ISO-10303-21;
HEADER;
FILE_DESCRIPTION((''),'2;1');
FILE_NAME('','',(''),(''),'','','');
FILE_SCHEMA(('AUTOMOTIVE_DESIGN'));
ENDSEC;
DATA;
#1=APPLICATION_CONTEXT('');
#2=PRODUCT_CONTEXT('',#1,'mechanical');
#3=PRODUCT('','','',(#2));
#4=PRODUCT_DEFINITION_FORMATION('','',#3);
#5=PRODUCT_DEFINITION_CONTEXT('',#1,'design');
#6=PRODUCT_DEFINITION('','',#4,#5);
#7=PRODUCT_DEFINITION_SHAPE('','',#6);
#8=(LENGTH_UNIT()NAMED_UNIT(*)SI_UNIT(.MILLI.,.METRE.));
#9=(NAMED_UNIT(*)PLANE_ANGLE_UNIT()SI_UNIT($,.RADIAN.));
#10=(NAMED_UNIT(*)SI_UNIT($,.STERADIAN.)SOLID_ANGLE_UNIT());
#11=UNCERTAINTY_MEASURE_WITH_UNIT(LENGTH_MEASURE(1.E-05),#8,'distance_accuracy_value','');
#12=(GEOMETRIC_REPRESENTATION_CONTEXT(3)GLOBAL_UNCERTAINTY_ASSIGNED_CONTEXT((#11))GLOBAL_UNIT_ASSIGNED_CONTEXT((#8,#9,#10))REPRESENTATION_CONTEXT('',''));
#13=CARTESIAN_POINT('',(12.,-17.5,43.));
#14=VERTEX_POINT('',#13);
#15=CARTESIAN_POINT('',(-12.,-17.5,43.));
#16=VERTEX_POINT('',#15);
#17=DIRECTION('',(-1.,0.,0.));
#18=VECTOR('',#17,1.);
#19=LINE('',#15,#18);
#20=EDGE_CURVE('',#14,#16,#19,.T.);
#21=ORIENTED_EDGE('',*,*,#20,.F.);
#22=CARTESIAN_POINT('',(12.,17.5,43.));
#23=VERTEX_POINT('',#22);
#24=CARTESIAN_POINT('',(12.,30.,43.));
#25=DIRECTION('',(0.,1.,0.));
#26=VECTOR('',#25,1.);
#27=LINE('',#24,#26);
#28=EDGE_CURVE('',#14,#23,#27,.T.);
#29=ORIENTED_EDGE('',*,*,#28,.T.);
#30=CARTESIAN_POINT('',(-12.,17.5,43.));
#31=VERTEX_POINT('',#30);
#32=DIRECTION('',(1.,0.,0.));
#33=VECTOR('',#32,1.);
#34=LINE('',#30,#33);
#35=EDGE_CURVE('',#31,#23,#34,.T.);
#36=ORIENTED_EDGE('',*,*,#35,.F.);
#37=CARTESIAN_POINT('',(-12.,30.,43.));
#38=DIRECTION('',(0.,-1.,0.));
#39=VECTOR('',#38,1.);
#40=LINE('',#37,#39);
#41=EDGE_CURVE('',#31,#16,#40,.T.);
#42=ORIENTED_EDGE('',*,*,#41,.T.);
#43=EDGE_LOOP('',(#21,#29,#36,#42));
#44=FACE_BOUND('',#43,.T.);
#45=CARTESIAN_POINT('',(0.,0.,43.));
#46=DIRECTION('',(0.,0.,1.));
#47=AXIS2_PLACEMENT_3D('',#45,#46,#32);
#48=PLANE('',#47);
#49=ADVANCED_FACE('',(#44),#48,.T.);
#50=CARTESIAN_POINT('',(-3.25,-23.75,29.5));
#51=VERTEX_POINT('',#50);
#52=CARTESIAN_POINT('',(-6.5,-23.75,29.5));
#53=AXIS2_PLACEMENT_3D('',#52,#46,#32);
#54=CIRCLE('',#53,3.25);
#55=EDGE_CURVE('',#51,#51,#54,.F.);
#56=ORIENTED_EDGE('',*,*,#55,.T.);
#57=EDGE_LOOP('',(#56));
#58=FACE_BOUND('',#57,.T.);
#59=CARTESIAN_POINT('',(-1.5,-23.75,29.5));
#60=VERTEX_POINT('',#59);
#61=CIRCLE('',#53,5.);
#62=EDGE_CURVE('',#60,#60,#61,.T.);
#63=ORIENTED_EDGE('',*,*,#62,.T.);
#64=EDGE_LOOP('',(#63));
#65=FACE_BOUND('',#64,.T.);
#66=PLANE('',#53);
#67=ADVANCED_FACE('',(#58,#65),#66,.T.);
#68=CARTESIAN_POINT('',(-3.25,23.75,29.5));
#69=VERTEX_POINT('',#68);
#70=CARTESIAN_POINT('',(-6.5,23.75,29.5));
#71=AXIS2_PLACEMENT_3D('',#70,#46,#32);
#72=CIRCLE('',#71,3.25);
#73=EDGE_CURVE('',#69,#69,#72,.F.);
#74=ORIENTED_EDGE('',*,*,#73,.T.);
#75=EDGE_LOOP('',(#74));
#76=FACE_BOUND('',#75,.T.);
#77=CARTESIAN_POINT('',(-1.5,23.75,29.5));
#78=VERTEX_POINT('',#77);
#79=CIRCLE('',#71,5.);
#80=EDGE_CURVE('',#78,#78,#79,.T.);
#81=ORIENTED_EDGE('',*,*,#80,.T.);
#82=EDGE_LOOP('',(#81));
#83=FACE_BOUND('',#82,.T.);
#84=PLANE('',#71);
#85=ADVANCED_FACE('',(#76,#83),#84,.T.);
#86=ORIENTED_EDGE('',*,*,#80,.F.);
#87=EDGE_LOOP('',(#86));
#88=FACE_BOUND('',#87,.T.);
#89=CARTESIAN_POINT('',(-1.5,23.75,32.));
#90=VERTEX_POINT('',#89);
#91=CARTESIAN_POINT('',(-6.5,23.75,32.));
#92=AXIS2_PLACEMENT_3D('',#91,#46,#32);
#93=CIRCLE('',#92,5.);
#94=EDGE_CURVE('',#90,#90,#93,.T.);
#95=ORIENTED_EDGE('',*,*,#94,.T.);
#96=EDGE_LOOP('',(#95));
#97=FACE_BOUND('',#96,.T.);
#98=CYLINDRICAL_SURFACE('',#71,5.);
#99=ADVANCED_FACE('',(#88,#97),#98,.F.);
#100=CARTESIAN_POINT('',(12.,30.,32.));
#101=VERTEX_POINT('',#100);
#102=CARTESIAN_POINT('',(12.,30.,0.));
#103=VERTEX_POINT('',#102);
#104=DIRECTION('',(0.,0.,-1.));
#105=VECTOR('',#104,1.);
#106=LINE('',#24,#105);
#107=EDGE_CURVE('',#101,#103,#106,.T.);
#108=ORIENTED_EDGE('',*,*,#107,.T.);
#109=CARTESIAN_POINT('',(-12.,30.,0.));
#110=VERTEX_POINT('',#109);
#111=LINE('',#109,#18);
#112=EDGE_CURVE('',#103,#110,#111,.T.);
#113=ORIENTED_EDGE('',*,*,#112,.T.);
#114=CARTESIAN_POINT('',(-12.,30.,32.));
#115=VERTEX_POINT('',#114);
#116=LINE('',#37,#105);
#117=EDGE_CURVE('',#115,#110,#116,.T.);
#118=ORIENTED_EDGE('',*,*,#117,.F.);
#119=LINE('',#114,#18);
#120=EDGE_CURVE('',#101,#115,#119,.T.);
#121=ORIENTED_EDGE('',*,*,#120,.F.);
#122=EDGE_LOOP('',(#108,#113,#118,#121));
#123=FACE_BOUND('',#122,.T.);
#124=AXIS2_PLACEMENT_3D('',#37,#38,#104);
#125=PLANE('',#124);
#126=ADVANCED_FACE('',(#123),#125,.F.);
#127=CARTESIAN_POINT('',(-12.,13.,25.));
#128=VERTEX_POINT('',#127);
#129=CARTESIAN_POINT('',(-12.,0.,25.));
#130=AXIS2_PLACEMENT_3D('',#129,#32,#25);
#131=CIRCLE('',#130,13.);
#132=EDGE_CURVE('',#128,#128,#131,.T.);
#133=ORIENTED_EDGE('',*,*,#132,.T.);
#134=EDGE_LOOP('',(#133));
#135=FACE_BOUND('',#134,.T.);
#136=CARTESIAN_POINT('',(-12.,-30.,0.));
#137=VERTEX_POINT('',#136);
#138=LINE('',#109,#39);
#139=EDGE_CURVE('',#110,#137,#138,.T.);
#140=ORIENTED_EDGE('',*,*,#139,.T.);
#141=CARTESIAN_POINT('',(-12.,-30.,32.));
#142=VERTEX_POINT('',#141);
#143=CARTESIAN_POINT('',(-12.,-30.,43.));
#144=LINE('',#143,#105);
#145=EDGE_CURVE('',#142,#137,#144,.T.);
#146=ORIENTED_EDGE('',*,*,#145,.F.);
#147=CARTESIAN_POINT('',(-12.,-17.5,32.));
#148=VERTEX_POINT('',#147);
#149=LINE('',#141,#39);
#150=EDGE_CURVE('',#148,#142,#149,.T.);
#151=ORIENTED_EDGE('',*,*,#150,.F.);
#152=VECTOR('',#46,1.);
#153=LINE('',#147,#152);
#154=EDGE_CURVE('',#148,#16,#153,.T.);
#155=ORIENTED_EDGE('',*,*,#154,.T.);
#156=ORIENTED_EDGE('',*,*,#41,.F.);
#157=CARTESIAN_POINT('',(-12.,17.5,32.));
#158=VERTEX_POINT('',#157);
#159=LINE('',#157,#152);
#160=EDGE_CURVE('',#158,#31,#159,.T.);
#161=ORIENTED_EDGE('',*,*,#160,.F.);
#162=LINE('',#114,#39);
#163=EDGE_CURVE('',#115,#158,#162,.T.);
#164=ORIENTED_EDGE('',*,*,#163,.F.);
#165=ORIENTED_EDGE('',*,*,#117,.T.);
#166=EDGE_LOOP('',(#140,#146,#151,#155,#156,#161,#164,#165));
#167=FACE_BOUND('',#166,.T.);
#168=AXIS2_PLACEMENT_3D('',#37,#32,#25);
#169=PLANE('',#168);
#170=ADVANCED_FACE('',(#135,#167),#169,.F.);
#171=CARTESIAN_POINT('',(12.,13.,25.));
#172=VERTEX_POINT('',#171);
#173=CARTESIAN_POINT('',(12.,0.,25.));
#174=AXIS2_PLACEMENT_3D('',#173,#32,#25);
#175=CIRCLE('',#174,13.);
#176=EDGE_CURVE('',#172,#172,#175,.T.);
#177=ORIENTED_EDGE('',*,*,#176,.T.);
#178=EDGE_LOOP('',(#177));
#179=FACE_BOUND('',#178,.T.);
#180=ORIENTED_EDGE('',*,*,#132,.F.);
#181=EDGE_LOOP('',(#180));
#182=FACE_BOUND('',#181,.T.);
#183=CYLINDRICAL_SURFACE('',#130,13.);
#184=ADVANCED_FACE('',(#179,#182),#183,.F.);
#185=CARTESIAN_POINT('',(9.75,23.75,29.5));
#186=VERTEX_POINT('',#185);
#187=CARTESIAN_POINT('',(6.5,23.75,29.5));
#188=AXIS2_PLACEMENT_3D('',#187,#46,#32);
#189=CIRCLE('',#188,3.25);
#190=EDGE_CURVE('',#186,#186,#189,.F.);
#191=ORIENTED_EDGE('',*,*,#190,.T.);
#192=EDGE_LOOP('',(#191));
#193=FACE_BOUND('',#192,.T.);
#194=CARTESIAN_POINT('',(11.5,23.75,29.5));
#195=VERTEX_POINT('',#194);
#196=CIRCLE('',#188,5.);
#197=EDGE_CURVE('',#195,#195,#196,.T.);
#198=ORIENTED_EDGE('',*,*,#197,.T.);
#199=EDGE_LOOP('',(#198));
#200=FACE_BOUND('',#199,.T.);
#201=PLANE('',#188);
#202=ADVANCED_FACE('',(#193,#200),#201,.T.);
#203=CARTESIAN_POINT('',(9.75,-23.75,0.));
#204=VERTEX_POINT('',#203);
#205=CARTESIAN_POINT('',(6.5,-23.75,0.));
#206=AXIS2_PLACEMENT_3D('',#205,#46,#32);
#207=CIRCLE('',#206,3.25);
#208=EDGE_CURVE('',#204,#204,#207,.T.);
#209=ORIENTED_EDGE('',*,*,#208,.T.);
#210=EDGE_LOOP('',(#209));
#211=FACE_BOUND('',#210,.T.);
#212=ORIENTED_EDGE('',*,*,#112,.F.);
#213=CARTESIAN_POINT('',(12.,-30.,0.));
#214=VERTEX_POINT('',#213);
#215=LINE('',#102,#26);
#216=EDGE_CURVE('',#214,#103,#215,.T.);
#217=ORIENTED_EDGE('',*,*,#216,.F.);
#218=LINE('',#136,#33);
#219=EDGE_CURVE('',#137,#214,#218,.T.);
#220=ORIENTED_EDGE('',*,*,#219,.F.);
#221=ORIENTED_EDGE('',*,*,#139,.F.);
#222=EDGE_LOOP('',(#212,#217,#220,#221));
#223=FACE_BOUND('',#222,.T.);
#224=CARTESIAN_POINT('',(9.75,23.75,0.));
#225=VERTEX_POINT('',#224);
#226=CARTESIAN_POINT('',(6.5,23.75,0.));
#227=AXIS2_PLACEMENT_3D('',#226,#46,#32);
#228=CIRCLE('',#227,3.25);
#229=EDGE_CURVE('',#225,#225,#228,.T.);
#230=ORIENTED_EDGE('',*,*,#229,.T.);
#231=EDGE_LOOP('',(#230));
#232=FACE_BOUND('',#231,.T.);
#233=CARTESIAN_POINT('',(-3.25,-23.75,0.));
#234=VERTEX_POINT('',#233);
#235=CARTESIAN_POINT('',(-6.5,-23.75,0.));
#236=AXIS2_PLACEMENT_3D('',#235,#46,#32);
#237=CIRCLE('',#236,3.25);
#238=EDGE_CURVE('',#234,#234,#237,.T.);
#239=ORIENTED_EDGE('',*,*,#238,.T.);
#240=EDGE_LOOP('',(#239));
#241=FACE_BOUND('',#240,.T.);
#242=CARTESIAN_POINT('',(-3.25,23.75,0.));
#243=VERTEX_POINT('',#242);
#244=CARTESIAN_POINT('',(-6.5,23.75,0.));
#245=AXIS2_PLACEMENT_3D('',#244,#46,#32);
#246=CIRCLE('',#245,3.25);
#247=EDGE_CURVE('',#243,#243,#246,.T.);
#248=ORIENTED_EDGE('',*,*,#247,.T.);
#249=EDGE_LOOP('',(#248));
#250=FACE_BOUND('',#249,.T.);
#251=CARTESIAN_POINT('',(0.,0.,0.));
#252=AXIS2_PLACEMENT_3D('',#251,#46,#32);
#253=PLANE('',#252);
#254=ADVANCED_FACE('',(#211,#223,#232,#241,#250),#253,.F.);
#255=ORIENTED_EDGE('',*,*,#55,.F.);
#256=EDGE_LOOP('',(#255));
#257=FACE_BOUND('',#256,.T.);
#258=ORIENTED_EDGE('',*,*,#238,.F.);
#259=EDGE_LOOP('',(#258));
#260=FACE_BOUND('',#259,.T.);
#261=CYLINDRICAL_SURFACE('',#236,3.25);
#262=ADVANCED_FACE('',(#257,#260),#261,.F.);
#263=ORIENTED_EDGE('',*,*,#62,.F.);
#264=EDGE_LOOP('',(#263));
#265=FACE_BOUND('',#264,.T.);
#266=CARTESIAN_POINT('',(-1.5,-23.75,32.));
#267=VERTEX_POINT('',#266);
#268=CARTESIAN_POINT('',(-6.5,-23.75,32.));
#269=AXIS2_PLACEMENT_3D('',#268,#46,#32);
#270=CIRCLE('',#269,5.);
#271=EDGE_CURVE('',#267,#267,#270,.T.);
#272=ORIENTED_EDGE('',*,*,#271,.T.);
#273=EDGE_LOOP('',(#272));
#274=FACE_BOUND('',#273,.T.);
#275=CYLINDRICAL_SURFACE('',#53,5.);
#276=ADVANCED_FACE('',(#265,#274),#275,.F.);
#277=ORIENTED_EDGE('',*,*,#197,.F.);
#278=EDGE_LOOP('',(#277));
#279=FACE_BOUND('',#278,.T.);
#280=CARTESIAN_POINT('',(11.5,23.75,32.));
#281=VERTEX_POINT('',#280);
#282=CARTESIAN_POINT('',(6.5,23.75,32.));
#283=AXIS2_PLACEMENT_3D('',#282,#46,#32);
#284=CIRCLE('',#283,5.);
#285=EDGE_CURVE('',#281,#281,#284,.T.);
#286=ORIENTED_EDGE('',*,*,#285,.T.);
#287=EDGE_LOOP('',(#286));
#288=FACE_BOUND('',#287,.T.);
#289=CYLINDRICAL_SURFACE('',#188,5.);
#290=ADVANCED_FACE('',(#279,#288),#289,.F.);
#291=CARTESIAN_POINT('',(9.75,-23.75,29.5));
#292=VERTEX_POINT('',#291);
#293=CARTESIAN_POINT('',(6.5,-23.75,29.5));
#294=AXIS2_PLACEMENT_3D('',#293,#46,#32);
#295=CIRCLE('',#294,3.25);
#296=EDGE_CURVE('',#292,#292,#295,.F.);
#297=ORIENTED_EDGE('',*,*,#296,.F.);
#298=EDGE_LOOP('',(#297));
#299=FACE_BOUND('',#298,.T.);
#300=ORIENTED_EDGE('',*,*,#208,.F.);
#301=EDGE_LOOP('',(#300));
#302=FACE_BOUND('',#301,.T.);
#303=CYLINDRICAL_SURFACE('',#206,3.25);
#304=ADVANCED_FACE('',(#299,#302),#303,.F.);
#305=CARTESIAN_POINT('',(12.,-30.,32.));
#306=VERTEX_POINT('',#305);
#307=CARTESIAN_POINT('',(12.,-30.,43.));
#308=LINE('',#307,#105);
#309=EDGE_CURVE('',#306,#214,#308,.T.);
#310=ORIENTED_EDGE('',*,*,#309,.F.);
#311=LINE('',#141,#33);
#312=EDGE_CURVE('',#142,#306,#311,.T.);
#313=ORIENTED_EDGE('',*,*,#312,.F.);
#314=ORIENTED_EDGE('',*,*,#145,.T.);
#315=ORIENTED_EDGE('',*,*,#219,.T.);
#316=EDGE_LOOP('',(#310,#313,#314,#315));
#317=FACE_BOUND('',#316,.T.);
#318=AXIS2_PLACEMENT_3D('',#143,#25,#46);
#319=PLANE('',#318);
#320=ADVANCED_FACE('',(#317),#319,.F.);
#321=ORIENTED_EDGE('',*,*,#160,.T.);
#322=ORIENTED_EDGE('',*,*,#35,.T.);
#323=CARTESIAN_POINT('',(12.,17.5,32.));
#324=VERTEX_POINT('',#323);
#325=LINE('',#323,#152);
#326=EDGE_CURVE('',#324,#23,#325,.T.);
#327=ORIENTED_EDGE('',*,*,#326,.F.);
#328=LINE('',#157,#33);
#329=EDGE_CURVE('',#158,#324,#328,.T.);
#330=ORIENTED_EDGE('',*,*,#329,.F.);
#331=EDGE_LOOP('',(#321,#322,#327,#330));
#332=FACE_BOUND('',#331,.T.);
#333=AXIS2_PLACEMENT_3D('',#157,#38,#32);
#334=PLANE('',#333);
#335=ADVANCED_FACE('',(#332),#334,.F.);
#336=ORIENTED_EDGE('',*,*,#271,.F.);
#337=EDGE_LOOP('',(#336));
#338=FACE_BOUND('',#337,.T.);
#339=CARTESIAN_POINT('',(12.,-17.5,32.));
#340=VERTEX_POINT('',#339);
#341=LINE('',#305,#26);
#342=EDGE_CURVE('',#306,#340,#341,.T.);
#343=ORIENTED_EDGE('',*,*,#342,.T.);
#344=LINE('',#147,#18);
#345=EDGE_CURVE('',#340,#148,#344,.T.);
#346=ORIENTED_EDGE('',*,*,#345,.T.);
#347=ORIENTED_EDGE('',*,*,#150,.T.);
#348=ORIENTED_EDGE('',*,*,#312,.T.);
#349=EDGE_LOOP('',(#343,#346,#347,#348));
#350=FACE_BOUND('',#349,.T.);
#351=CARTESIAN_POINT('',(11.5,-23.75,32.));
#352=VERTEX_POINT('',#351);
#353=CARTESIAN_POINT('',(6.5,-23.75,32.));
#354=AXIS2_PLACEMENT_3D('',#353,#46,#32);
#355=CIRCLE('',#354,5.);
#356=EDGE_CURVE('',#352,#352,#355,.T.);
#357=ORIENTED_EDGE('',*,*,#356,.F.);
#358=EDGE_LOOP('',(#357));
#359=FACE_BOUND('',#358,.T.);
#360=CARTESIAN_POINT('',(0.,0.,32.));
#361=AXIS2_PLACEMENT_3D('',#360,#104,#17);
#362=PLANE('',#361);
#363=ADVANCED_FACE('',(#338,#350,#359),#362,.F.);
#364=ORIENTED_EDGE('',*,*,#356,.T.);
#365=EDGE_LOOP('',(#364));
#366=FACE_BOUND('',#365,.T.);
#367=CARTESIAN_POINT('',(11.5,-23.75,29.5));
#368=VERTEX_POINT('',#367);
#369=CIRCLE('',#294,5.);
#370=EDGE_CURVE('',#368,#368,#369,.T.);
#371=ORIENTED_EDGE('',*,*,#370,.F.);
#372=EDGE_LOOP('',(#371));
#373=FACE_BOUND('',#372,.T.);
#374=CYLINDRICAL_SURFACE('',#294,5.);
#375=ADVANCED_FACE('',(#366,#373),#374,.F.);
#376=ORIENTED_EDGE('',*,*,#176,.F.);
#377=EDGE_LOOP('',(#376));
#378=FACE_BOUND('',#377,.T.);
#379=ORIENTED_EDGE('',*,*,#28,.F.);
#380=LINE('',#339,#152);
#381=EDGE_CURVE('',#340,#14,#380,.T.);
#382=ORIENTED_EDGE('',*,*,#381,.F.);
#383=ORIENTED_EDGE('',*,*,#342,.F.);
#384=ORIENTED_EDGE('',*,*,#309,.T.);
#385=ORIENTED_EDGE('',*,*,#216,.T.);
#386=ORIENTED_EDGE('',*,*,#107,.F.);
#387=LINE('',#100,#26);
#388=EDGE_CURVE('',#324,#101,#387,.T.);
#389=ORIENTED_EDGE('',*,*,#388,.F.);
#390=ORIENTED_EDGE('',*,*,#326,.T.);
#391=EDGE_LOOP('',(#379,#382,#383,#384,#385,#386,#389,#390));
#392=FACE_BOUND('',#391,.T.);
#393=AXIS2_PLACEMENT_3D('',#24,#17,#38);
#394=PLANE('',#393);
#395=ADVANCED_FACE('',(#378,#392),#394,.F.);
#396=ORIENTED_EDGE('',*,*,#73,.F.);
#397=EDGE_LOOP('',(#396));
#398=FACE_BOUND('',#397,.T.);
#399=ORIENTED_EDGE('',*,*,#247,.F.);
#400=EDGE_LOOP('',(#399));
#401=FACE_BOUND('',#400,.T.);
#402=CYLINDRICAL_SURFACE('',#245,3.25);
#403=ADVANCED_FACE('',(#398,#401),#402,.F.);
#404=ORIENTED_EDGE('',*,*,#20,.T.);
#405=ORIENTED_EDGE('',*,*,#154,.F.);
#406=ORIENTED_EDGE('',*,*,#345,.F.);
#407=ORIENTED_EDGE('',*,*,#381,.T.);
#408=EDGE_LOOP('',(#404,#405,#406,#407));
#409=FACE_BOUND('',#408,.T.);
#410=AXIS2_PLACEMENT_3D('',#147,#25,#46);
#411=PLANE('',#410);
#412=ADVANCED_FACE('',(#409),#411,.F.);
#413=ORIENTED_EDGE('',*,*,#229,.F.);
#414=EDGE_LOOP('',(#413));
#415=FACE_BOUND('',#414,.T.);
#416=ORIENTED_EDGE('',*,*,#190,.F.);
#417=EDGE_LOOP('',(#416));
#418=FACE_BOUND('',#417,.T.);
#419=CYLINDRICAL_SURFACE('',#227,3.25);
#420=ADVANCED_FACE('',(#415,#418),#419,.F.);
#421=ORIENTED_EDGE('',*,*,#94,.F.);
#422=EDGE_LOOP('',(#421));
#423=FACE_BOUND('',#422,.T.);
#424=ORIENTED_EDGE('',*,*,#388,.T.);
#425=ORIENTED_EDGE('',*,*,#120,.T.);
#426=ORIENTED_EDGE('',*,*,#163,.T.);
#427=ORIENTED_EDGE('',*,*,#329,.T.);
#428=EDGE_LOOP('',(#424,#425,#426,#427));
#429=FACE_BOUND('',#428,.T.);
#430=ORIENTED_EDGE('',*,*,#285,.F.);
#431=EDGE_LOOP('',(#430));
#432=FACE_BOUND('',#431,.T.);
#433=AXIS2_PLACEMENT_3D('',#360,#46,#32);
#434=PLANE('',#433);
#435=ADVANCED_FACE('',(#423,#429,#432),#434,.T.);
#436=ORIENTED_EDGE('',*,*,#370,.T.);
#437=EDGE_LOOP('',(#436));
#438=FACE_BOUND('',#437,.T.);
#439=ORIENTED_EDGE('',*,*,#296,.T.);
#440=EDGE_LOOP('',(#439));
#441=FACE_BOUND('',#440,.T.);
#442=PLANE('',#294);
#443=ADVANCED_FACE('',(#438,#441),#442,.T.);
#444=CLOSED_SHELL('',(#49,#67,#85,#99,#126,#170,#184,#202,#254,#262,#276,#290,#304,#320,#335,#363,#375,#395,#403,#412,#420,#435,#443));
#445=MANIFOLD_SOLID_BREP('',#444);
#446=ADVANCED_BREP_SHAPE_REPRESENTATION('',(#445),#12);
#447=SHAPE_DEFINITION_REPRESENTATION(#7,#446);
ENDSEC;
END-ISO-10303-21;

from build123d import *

# Parameters (mm, degrees)
SKETCH1_W           = 24
SKETCH1_H           = 60
BOSS_EXTRUDE1_DEPTH = 43
SKETCH2_W           = 24
SKETCH2_H           = 12.5
CUT_EXTRUDE1_DEPTH  = 11
SKETCH3_R           = 3.25
CUT_EXTRUDE2_DEPTH  = 33
SKETCH4_R           = 5
CUT_EXTRUDE3_DEPTH  = 2.5
SKETCH5_R           = 13
CUT_EXTRUDE4_DEPTH  = 25


with BuildPart() as part:
    # Sketch1 → Boss-Extrude1 (new body)
    with BuildSketch(Plane.XY):
        Rectangle(SKETCH1_W, SKETCH1_H)
    extrude(amount=BOSS_EXTRUDE1_DEPTH)

    # Sketch2 → Cut-Extrude1 (cut)
    with BuildSketch(Plane.XY.offset(43)):
        with Locations((0, -23.75)):
            Rectangle(SKETCH2_W, SKETCH2_H)
        with Locations((0, 23.75)):
            Rectangle(SKETCH2_W, SKETCH2_H)
    extrude(amount=-CUT_EXTRUDE1_DEPTH, mode=Mode.SUBTRACT)

    # Sketch3 → Cut-Extrude2 (cut, through all)
    with BuildSketch(Plane.XY.offset(32)):
        with Locations((-6.5, -23.75)):
            Circle(SKETCH3_R)
        with Locations((6.5, -23.75)):
            Circle(SKETCH3_R)
        with Locations((-6.5, 23.75)):
            Circle(SKETCH3_R)
        with Locations((6.5, 23.75)):
            Circle(SKETCH3_R)
    extrude(amount=-CUT_EXTRUDE2_DEPTH, mode=Mode.SUBTRACT)

    # Sketch4 → Cut-Extrude3 (cut)
    with BuildSketch(Plane.XY.offset(32)):
        with Locations((-6.5, 23.75)):
            Circle(SKETCH4_R)
        with Locations((6.5, 23.75)):
            Circle(SKETCH4_R)
        with Locations((-6.5, -23.75)):
            Circle(SKETCH4_R)
        with Locations((6.5, -23.75)):
            Circle(SKETCH4_R)
    extrude(amount=-CUT_EXTRUDE3_DEPTH, mode=Mode.SUBTRACT)

    # Sketch5 → Cut-Extrude4 (cut, through all)
    with BuildSketch(Plane(origin=(12, 0, 0), x_dir=(0, 0, -1), z_dir=(1, 0, 0))):
        with Locations((-25, 0)):
            Circle(SKETCH5_R)
    extrude(amount=-CUT_EXTRUDE4_DEPTH, mode=Mode.SUBTRACT)


solid = part.part
